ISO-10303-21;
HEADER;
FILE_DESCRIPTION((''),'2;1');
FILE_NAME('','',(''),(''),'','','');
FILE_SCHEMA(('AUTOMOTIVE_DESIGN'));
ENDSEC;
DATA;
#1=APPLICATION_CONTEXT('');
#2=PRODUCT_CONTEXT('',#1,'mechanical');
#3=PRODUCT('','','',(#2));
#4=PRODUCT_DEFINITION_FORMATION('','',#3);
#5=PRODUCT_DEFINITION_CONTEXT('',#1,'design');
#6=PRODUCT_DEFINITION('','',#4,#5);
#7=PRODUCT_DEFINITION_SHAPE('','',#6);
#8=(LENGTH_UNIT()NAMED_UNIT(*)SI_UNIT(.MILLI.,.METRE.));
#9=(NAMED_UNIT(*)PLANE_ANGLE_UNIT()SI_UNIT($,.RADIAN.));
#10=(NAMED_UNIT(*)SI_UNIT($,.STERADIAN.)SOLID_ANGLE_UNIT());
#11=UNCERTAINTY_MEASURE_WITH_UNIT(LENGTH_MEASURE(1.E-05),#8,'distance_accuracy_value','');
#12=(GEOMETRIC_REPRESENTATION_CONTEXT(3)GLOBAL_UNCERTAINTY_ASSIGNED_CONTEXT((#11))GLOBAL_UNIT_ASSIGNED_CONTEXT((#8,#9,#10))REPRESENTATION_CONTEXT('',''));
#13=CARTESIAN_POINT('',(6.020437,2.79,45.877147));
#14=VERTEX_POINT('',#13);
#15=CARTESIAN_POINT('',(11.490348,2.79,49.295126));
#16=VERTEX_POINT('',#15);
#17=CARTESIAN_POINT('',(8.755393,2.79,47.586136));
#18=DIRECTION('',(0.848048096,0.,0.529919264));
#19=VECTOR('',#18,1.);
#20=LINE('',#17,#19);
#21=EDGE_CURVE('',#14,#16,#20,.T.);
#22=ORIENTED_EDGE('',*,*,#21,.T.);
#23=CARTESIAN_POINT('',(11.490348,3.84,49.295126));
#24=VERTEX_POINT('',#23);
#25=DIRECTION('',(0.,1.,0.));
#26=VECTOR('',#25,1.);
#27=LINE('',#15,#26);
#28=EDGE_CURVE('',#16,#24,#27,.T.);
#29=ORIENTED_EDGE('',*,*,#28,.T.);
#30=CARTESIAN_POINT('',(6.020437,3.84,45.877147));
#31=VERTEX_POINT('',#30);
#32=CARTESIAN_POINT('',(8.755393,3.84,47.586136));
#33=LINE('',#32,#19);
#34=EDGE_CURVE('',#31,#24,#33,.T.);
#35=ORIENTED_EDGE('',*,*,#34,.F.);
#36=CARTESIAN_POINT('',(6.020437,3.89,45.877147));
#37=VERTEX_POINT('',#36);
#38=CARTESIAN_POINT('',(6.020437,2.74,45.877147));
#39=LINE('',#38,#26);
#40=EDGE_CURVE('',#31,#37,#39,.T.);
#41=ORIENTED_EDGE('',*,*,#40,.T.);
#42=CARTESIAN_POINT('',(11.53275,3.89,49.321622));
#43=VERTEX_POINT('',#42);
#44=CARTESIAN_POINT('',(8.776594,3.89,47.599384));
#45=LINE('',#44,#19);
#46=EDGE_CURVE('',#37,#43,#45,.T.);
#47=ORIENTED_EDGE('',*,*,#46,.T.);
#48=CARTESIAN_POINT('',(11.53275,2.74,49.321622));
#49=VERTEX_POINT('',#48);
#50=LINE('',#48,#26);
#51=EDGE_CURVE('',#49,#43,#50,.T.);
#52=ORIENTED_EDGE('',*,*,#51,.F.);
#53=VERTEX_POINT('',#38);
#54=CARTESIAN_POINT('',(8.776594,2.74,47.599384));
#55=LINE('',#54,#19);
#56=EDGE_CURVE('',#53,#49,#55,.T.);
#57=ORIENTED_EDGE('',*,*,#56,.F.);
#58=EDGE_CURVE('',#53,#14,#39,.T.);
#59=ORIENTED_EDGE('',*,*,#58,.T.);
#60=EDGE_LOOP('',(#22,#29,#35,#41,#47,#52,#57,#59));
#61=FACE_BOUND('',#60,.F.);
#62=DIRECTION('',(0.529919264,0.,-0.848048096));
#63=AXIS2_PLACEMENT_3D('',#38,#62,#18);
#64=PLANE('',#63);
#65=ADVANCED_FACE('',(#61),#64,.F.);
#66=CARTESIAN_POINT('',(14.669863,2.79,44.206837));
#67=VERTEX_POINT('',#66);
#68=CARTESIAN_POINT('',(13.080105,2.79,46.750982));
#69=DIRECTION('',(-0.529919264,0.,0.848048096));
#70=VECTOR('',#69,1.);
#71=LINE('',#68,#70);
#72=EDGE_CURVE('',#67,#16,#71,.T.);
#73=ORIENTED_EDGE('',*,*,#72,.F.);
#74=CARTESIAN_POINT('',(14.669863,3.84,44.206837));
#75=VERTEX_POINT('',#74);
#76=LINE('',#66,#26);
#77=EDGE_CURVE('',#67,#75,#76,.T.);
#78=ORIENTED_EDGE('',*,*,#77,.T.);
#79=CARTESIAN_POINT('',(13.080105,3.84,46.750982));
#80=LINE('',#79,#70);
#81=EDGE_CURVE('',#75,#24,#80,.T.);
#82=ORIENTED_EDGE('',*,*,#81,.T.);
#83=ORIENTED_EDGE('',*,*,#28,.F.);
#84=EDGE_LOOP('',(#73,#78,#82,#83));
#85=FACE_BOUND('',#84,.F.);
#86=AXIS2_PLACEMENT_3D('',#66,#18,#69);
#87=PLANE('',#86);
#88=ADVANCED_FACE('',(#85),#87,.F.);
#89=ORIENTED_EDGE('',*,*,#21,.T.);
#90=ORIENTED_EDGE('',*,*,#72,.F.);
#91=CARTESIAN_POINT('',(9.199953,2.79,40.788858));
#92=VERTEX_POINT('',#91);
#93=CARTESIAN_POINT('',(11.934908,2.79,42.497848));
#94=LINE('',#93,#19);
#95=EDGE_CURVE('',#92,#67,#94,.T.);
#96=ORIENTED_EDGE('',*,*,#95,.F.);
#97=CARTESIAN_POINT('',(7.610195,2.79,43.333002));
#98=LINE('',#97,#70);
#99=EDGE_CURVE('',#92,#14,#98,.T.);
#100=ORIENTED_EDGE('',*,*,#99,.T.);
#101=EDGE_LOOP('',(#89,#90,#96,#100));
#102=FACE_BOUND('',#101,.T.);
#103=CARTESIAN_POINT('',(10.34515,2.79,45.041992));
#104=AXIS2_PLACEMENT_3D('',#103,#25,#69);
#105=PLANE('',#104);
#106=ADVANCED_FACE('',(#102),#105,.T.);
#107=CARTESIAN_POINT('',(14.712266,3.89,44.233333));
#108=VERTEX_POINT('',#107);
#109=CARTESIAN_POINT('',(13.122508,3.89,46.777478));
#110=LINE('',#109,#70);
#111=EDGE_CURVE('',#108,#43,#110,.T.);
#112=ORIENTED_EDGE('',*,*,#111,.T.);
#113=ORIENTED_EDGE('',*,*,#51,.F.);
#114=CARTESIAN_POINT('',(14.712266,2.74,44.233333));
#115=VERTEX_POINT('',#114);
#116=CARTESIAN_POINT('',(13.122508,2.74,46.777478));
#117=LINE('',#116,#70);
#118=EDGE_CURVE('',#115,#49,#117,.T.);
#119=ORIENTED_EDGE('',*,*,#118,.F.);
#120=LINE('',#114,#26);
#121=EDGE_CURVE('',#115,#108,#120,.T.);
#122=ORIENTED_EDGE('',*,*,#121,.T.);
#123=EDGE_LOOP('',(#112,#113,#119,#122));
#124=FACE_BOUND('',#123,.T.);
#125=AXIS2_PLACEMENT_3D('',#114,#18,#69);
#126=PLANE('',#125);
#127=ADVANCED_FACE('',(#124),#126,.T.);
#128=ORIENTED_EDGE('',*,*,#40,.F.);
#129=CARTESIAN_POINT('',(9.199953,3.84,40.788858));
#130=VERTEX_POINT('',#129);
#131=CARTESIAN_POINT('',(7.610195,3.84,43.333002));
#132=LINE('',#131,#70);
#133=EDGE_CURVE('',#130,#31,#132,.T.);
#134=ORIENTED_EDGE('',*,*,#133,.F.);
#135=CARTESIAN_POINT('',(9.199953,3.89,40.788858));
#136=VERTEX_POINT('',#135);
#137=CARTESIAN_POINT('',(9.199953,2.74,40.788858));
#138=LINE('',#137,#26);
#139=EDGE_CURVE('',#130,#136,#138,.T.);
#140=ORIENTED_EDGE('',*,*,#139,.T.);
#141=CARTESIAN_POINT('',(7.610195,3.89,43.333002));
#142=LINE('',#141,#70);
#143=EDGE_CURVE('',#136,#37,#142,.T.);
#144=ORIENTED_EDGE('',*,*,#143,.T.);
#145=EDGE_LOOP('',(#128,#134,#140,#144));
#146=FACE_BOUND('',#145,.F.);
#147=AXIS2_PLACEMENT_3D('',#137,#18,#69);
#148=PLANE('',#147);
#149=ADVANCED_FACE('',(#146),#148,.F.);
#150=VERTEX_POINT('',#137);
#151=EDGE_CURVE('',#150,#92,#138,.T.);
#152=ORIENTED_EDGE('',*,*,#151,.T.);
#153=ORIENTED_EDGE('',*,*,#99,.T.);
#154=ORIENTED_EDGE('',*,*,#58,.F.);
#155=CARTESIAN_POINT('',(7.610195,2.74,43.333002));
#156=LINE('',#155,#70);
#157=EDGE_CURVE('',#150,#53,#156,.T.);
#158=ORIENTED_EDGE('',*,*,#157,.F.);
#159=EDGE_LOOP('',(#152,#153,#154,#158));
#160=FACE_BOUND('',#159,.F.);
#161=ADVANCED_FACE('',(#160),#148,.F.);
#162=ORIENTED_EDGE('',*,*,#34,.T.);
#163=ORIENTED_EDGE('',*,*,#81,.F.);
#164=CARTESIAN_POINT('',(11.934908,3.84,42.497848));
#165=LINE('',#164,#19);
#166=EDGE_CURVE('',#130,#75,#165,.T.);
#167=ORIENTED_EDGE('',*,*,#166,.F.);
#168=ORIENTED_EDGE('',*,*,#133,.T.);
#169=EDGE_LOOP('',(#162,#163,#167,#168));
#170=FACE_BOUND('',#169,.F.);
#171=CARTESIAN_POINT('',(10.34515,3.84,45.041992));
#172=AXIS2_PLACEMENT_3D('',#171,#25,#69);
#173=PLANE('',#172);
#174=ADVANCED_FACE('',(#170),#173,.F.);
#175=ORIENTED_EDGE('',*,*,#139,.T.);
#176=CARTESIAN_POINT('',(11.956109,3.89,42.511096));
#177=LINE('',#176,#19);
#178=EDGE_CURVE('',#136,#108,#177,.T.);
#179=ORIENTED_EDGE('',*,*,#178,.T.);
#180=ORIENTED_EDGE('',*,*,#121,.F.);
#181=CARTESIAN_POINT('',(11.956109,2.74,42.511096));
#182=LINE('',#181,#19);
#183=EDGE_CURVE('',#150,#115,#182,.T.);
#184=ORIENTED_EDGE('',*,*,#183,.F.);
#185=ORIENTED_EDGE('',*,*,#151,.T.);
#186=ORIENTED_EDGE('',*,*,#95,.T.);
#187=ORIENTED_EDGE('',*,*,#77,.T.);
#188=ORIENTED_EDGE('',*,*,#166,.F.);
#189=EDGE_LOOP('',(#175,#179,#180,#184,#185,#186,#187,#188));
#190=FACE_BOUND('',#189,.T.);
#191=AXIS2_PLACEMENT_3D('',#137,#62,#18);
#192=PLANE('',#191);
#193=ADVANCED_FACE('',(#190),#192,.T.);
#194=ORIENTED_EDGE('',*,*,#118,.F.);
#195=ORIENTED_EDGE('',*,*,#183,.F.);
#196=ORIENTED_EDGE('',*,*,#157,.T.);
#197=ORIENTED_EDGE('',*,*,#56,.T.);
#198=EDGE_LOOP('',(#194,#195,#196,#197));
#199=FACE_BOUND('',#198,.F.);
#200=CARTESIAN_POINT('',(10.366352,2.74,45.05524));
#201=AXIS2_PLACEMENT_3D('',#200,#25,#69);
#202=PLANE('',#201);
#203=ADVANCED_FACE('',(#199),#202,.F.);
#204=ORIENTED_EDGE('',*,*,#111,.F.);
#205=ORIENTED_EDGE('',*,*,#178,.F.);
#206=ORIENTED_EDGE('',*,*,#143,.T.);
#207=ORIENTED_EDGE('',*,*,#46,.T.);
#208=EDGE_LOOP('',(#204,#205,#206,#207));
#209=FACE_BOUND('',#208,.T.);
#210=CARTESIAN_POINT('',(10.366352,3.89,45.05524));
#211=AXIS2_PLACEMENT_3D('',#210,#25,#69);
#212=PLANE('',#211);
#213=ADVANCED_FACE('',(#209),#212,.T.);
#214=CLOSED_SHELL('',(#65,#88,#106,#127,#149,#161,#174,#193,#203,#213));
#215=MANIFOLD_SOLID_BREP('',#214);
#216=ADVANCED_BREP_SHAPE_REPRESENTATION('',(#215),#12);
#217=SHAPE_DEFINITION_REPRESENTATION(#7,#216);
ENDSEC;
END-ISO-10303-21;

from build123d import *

# Parameters (mm, degrees)
BOX163_W               = 6
BOX163_H               = 6.45
BOX163_DEPTH           = 1.05
BOX162_W               = 6
BOX162_H               = 6.5
BOX162_DEPTH           = 1.15
CUT079_ROLL_ANGLE      = 90
CUT079_PITCH_ANGLE     = -58
CUT079_PLACEMENT_ANGLE = 180


with BuildPart() as small_cu_gnd_electrode068:
    # Box163 → Box163 (new body)
    with BuildSketch(Plane.XY.offset(0.05)):
        with Locations((3, 3.225)):
            Rectangle(BOX163_W, BOX163_H)
    extrude(amount=BOX163_DEPTH)


with BuildPart() as small_cu_electrode002_short_axis_gnd007:
    # Box162 → Box162 (new body)
    with BuildSketch(Plane.XY):
        with Locations((3, 3.25)):
            Rectangle(BOX162_W, BOX162_H)
    extrude(amount=BOX162_DEPTH)

    # Cut079: cut Small Cu GND Electrode068
    add(small_cu_gnd_electrode068.part, mode=Mode.SUBTRACT)


with BuildPart() as small_cu_electrode002_short_axis_gnd007_1:
    # Cut079 roll: moved
    add(small_cu_electrode002_short_axis_gnd007.part.rotate(Axis((0, 0, 0), (1, 0, 0)), CUT079_ROLL_ANGLE))


with BuildPart() as small_cu_electrode002_short_axis_gnd007_2:
    # Cut079 pitch: moved
    add(small_cu_electrode002_short_axis_gnd007_1.part.rotate(Axis((0, 0, 0), (0, 1, 0)), CUT079_PITCH_ANGLE))


with BuildPart() as small_cu_electrode002_short_axis_gnd007_3:
    # Cut079 placement: moved
    add(small_cu_electrode002_short_axis_gnd007_2.part.moved(Location((9.199953, 2.74, 40.788858))).rotate(Axis((9.199953, 2.74, 40.788858), (0, 0, 1)), CUT079_PLACEMENT_ANGLE))


solid = small_cu_electrode002_short_axis_gnd007_3.part
